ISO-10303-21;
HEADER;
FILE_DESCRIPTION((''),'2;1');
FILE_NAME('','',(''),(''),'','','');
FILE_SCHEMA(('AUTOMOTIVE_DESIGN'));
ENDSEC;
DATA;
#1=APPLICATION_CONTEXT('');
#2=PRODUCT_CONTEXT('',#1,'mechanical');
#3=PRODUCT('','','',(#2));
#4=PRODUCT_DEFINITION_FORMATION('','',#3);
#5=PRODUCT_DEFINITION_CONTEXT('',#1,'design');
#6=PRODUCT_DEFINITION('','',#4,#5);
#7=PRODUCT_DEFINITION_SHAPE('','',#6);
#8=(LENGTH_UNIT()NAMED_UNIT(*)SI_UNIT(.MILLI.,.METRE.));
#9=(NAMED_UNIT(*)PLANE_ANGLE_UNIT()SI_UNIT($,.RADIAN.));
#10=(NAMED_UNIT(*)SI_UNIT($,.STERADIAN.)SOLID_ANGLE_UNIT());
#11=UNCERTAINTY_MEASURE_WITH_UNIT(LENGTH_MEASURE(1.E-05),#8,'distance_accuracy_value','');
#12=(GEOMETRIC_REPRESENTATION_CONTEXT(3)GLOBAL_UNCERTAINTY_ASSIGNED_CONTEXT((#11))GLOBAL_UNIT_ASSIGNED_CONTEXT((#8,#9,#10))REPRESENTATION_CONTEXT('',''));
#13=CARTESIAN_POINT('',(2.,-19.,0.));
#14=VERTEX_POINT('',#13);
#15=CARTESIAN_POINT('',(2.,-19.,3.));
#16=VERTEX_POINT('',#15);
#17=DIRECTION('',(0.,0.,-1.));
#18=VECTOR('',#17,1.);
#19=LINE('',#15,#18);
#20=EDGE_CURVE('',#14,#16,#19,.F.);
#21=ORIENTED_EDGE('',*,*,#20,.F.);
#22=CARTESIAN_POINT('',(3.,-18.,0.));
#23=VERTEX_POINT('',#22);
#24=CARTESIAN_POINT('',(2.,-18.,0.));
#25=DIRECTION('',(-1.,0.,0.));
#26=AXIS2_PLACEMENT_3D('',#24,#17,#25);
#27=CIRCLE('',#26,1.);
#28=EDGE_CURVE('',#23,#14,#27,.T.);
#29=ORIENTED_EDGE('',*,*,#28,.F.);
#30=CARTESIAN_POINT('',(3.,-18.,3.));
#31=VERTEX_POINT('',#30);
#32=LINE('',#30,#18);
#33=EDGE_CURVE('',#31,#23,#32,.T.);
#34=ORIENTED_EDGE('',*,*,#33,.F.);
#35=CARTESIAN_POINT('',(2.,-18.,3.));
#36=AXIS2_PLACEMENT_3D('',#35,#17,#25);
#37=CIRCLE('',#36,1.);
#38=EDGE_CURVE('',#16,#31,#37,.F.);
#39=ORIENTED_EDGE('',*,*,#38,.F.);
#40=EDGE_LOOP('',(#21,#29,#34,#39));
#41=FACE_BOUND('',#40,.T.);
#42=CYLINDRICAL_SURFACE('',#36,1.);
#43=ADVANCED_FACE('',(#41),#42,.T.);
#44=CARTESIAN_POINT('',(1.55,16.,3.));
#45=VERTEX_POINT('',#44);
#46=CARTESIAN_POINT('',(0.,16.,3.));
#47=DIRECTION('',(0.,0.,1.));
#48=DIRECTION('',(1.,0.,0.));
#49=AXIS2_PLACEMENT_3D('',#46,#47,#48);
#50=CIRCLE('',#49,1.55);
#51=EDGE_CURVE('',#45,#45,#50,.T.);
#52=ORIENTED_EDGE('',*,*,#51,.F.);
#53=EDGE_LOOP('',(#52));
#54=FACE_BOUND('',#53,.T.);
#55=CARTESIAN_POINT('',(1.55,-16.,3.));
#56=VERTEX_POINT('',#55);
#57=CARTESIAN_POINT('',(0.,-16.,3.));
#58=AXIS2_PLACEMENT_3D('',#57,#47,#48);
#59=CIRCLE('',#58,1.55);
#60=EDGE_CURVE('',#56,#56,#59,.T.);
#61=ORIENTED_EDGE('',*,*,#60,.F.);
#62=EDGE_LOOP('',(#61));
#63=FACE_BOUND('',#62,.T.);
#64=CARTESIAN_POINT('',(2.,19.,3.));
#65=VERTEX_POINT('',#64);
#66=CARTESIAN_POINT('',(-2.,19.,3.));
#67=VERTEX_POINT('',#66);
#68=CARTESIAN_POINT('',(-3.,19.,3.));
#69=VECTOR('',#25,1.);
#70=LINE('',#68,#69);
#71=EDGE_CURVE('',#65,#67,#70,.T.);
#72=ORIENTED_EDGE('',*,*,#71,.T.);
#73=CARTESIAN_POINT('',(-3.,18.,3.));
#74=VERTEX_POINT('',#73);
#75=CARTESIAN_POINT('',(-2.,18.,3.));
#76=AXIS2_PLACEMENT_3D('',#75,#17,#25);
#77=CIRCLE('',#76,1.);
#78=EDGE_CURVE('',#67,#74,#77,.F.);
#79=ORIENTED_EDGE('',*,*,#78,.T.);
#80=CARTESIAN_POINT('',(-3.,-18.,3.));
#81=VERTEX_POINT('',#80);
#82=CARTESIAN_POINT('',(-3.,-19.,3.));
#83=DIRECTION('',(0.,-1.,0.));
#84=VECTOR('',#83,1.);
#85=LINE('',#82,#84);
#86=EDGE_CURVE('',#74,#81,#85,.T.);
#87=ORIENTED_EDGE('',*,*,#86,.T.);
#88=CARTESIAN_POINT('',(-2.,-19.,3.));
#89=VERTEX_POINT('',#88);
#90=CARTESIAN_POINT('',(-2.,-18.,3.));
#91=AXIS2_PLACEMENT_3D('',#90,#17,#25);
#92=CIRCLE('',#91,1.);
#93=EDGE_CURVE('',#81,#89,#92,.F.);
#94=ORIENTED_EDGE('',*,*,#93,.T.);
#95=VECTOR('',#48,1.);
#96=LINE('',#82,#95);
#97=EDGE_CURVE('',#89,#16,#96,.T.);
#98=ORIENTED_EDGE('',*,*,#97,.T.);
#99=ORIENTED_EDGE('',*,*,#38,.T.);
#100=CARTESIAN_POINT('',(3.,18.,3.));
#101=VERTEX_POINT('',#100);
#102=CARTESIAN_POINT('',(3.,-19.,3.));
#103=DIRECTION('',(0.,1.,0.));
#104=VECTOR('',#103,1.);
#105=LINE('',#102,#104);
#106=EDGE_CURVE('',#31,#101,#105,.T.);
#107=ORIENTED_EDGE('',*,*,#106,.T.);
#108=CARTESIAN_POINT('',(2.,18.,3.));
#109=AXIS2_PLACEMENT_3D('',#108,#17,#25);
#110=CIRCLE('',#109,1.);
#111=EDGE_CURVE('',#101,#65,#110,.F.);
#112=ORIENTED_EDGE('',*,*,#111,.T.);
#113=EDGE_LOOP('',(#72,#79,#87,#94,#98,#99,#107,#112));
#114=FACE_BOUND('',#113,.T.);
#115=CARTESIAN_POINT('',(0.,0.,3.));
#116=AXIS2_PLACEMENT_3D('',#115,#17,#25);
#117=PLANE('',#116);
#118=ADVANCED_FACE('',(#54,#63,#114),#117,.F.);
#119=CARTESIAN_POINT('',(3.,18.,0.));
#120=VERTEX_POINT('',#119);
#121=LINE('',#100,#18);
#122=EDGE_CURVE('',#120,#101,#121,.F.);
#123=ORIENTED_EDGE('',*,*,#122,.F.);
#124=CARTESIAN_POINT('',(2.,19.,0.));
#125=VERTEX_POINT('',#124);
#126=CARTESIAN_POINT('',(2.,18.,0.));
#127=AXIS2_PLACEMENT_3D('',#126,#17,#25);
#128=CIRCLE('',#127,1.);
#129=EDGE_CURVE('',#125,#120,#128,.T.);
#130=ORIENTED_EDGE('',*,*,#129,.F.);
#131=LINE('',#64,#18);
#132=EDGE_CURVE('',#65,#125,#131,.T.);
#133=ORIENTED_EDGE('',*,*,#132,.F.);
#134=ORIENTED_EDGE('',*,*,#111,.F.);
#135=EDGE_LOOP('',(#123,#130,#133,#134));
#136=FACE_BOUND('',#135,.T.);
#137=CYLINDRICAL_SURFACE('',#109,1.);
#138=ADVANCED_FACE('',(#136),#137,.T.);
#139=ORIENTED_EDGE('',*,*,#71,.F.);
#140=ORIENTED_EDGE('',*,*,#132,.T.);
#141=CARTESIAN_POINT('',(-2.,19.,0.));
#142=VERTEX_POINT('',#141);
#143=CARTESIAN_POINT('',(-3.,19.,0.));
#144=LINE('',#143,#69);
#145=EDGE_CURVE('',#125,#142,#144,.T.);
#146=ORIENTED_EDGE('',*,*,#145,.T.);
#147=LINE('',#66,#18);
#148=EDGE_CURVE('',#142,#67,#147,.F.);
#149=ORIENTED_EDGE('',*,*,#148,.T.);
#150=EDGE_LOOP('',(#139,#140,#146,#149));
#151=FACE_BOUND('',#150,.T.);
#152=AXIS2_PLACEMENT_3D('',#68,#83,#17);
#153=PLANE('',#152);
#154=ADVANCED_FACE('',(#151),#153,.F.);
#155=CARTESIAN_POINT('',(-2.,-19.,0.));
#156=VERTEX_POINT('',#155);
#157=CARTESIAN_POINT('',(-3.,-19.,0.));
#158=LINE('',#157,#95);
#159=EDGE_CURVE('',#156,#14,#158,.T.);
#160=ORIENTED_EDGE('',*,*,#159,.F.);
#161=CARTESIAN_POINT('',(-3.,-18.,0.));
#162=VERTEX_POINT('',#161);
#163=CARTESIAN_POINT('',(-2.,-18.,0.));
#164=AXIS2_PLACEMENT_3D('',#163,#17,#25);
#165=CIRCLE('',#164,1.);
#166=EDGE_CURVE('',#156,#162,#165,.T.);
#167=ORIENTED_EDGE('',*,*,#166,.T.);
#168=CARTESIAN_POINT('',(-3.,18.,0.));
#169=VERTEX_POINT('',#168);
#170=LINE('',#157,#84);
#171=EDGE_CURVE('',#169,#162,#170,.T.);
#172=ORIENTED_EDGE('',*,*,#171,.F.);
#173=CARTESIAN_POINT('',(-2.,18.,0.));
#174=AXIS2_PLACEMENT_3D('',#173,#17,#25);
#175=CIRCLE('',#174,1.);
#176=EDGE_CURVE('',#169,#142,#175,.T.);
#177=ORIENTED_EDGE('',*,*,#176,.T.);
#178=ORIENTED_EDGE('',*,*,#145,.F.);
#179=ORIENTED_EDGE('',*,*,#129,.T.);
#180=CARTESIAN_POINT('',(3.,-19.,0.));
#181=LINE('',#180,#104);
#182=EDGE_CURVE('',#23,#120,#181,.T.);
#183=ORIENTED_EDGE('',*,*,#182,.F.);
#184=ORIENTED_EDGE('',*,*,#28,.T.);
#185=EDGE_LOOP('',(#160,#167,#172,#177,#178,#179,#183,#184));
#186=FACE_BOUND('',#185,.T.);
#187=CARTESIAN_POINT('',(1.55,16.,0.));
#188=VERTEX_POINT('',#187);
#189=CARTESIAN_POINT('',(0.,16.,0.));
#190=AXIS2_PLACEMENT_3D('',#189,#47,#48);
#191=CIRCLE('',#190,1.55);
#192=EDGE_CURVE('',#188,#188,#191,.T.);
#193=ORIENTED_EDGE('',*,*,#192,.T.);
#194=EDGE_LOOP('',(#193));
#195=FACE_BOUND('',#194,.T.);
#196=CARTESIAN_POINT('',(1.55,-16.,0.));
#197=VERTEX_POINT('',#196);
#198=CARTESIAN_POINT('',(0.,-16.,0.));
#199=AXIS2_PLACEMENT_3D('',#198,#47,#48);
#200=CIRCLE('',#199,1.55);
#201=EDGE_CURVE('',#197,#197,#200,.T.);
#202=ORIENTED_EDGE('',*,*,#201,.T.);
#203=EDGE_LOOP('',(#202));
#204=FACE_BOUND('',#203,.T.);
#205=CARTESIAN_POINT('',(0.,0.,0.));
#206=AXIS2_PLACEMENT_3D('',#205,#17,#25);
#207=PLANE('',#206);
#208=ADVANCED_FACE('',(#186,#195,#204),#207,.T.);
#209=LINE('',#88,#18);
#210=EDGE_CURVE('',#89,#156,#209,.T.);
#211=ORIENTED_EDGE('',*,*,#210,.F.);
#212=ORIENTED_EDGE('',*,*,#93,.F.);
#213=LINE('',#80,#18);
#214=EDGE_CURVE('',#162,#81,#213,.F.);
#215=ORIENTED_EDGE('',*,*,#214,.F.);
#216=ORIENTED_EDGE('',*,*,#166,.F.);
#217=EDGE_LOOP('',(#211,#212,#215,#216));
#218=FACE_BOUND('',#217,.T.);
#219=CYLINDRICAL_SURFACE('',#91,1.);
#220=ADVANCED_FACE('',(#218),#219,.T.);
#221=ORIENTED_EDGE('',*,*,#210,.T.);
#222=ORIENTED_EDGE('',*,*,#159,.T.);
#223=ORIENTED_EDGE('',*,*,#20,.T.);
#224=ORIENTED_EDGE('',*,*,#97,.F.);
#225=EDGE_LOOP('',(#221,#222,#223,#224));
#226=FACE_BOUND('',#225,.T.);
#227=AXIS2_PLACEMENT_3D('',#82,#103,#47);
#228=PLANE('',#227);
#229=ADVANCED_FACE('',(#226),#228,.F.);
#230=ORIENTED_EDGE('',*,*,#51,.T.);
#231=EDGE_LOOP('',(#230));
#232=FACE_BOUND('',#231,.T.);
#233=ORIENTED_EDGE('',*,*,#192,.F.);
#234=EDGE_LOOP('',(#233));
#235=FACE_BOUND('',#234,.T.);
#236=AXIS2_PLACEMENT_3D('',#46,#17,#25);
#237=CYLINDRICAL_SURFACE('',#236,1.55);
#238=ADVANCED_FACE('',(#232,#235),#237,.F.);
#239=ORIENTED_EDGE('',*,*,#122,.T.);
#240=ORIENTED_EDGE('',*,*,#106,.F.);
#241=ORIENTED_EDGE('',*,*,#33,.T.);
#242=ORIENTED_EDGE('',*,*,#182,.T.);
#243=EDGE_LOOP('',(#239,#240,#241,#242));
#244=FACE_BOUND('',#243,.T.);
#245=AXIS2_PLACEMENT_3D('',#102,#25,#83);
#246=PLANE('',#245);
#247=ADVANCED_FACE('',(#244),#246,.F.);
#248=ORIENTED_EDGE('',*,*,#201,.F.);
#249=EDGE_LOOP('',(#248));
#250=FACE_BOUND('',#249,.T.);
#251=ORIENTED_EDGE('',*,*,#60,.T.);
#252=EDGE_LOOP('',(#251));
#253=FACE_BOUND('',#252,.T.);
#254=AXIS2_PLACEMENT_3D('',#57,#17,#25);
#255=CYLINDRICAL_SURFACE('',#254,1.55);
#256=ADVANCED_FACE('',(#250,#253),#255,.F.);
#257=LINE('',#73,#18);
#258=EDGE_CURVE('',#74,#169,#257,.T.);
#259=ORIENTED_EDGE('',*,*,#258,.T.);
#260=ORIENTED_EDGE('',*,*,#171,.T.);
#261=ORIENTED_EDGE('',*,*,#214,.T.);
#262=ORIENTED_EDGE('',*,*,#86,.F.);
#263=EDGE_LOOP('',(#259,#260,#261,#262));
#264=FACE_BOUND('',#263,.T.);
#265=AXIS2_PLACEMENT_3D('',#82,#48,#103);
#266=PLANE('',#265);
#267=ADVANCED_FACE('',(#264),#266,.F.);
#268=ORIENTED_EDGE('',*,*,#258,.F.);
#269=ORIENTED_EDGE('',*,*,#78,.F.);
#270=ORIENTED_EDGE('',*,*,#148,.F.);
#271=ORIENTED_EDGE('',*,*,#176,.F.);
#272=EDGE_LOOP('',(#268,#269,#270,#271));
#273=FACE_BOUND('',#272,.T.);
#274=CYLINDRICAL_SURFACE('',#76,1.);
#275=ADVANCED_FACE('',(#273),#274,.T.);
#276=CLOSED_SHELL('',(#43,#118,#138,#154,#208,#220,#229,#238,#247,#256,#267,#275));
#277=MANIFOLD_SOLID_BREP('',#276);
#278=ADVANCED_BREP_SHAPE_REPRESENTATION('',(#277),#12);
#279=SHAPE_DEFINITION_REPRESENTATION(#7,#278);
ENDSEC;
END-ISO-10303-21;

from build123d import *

# Parameters (mm, degrees)
ESQUISSE1_W        = 6
ESQUISSE1_H        = 38
ESQUISSE1_R        = 1.55
BOSS_EXTRU_1_DEPTH = 3
CONG_1_R           = 1


with BuildPart() as part:
    # Esquisse1 → Boss.-Extru.1 (new body)
    with BuildSketch(Plane.XY):
        Rectangle(ESQUISSE1_W, ESQUISSE1_H)
        with Locations((0, 16)):
            Circle(ESQUISSE1_R, mode=Mode.SUBTRACT)
        with Locations((0, -16)):
            Circle(ESQUISSE1_R, mode=Mode.SUBTRACT)
    extrude(amount=BOSS_EXTRU_1_DEPTH)

    # Congé1
    cong_1_edges = [part.edges().sort_by_distance(p)[0] for p in [
        (3, -19, 1.5),
        (-3, -19, 1.5),
        (-3, 19, 1.5),
        (3, 19, 1.5),
    ]]
    fillet(cong_1_edges, radius=CONG_1_R)


solid = part.part
